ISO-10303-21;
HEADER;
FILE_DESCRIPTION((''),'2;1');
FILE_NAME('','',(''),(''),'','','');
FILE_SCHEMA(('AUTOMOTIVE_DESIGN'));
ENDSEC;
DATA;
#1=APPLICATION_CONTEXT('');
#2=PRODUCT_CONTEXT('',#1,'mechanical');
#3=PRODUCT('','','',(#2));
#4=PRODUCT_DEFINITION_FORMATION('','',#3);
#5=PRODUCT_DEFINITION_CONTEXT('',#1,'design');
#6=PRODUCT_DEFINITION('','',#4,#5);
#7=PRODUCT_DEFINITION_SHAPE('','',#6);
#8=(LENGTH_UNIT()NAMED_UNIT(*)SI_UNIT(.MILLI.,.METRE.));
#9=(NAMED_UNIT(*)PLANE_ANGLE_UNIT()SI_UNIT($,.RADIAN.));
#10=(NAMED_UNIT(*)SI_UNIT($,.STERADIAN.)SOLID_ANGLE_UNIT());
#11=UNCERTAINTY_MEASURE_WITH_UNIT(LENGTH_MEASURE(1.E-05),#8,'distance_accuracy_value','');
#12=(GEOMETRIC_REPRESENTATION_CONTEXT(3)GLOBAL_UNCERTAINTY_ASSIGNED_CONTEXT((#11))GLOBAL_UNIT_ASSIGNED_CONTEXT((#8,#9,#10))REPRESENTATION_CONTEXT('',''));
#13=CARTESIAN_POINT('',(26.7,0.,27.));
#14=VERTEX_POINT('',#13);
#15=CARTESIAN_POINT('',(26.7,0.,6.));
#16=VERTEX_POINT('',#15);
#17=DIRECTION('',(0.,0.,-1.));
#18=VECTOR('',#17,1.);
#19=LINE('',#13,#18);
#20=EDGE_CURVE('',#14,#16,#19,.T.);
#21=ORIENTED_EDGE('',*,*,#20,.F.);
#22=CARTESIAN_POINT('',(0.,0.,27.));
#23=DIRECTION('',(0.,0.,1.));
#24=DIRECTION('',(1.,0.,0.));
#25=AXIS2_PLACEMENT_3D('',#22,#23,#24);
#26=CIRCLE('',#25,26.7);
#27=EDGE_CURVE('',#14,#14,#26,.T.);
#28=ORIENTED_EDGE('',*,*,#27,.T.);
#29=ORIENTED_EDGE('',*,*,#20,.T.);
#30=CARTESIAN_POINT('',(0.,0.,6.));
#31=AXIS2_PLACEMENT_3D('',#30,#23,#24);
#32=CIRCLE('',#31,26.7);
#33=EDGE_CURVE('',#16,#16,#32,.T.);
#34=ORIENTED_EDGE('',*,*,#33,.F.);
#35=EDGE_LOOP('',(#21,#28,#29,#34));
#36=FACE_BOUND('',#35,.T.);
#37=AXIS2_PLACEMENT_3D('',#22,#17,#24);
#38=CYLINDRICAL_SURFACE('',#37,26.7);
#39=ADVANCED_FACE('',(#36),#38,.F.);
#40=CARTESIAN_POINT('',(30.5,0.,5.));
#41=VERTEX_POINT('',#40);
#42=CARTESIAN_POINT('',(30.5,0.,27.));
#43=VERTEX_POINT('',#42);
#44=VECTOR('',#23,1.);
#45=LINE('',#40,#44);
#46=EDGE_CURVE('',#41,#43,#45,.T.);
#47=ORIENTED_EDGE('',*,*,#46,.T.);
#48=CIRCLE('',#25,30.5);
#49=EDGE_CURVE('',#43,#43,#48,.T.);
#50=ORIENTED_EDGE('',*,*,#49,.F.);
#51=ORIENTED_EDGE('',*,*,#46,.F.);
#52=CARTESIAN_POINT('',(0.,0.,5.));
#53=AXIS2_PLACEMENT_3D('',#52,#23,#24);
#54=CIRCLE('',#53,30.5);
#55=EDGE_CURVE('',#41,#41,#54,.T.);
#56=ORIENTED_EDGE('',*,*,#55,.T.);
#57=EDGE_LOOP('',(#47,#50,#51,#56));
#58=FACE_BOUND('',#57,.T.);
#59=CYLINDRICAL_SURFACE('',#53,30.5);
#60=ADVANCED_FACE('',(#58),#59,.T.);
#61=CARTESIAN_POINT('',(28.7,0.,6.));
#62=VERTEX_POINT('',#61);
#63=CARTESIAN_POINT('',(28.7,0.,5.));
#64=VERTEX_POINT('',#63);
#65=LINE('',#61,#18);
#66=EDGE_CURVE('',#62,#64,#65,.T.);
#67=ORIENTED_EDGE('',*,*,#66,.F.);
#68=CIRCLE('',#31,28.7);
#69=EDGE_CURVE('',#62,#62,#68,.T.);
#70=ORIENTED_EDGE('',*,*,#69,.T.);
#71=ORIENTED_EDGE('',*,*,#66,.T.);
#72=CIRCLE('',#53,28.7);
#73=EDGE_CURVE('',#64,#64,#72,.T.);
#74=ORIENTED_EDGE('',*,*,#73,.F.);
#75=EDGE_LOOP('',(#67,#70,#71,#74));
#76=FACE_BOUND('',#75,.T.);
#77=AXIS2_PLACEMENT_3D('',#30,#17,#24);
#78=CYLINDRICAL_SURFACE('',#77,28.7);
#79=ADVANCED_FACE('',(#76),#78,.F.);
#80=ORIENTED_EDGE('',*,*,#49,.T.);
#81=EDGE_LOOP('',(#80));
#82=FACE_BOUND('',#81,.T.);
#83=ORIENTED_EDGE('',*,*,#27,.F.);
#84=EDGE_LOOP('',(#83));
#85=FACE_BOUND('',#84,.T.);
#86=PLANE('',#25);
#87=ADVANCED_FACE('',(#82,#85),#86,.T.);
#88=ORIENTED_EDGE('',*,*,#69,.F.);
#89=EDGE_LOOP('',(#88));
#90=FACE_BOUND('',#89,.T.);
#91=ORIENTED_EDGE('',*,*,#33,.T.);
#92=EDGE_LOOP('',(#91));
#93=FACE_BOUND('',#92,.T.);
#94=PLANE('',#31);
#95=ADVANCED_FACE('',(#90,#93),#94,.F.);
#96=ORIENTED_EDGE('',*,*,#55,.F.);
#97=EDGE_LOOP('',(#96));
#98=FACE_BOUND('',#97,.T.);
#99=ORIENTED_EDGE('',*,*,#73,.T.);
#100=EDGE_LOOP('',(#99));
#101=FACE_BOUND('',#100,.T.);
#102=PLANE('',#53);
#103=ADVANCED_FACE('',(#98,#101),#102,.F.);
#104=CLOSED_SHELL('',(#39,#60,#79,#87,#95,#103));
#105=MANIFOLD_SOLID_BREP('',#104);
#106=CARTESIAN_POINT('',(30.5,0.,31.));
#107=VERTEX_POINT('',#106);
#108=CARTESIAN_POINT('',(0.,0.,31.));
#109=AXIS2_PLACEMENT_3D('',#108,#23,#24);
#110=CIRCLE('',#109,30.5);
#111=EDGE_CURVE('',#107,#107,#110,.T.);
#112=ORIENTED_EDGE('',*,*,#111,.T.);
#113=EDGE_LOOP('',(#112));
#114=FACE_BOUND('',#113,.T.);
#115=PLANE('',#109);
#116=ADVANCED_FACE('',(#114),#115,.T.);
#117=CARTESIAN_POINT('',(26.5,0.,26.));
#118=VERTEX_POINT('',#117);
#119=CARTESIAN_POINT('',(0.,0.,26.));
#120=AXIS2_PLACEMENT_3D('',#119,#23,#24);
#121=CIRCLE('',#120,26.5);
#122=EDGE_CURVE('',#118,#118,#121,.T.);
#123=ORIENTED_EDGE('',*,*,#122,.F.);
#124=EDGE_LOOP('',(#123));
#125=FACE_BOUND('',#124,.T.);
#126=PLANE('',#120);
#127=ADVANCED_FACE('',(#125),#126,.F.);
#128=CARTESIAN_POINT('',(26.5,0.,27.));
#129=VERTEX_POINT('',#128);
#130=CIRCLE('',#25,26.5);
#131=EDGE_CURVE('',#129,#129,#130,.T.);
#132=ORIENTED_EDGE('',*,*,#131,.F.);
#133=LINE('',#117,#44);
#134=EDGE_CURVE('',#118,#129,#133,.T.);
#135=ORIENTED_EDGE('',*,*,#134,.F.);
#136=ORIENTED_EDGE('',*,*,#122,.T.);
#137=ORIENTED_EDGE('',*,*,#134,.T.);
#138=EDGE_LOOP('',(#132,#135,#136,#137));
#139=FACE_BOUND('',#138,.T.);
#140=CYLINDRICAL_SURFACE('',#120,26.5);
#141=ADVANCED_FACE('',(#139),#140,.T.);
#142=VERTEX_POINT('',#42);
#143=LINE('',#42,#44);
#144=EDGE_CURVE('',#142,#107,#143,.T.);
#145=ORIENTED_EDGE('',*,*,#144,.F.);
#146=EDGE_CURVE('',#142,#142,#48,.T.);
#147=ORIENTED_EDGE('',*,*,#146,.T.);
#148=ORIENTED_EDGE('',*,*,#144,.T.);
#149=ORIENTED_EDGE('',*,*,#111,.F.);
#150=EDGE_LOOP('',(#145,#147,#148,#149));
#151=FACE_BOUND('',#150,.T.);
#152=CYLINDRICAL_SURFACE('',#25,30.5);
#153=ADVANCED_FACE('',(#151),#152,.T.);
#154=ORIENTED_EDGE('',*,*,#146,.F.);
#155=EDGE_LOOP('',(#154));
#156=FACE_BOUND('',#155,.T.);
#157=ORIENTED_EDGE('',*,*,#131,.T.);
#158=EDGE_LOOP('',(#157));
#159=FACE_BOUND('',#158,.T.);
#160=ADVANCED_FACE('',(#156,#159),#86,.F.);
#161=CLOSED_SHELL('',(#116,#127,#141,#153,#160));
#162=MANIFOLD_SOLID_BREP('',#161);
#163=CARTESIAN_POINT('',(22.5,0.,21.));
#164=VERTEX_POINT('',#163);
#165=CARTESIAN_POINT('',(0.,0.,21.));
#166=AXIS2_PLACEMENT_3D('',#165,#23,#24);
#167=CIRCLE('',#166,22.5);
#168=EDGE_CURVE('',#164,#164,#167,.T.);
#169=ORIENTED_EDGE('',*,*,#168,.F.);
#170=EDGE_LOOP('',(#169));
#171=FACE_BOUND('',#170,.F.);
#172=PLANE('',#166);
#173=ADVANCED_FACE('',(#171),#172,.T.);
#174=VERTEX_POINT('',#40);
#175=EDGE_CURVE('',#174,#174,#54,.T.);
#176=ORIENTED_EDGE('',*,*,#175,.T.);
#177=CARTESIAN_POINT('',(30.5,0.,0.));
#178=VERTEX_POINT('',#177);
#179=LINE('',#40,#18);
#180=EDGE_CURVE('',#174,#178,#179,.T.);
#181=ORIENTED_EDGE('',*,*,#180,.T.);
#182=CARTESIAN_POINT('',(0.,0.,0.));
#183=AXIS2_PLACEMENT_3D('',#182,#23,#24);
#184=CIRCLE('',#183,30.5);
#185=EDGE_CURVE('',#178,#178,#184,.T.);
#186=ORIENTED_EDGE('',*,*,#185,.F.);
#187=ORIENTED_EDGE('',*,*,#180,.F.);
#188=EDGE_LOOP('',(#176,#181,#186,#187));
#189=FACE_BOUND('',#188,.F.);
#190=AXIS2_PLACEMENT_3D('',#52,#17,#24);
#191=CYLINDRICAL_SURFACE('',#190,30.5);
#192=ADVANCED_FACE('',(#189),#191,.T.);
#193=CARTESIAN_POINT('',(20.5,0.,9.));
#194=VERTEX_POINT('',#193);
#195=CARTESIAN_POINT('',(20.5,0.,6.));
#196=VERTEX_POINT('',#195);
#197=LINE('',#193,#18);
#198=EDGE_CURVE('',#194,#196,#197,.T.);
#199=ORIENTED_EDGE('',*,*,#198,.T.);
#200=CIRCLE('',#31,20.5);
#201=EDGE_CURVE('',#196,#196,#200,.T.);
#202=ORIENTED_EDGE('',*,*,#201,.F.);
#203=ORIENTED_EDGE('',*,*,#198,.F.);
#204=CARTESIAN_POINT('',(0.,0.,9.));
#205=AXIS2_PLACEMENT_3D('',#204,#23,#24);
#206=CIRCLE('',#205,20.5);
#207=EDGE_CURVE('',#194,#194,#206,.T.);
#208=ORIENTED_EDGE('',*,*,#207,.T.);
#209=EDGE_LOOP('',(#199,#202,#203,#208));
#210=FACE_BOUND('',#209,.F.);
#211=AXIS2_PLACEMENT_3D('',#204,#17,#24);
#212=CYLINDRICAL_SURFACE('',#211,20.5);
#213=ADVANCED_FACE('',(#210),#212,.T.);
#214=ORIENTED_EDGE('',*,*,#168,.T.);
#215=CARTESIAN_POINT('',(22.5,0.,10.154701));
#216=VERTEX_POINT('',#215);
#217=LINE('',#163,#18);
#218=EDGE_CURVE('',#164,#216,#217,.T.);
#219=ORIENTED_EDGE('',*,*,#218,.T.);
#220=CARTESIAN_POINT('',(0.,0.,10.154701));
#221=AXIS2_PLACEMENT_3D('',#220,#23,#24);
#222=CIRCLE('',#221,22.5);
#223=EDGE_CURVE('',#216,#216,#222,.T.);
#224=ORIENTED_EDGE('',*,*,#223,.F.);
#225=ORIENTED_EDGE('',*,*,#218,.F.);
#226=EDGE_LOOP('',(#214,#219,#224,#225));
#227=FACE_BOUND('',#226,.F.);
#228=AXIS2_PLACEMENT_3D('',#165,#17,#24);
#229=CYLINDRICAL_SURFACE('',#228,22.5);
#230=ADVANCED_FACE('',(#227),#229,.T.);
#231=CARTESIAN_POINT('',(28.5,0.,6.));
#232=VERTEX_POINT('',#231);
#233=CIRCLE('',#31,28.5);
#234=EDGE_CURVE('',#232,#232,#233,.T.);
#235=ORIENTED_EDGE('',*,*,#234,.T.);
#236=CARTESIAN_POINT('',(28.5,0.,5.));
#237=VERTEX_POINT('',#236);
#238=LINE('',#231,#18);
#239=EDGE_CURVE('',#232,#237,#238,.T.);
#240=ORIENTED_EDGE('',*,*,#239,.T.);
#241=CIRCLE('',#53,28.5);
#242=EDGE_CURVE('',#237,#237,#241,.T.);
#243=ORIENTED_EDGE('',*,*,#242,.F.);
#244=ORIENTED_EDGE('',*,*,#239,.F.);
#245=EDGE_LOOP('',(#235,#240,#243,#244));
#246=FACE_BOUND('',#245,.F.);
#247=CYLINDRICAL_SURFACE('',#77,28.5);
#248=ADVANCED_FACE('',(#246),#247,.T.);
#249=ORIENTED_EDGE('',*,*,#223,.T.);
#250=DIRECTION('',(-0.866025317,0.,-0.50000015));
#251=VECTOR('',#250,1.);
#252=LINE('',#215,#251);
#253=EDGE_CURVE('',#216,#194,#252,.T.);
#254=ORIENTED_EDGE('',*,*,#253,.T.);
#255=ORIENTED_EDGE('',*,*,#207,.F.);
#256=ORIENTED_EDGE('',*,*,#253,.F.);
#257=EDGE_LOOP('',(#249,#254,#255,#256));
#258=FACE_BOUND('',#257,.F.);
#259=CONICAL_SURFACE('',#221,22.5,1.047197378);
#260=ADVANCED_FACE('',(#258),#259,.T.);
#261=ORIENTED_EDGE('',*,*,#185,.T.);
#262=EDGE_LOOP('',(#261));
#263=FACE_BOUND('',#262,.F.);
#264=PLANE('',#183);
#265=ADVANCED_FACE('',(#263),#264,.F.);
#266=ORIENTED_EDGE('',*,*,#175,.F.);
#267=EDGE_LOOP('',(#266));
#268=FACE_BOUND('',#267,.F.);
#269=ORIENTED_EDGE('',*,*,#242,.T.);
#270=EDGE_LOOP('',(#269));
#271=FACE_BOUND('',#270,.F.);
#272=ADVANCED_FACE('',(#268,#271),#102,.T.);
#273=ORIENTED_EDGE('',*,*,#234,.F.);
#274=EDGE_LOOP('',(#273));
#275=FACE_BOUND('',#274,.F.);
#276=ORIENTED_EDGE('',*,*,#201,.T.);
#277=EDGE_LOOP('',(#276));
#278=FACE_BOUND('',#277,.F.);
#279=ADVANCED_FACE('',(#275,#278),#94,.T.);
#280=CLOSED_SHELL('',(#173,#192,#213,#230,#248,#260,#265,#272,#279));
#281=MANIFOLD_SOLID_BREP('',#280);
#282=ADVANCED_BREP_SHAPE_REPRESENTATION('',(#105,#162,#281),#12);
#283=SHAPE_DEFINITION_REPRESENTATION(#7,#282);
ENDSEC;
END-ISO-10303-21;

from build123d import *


with BuildPart() as body:
    # Sketch → Revolution (revolve)
    with BuildSketch(Plane.XZ):
        Polygon((0, 0), (0, 21), (22.5, 21), (22.5, 10.154701), (20.5, 9), (20.5, 6), (28.5, 6), (28.5, 5), (30.5, 5), (30.5, 0), align=None)
    revolve(axis=Axis((0, 0, 0), (0, 0, 1)))


with BuildPart() as body001:
    # Sketch001 → Revolution001 (revolve)
    with BuildSketch(Plane.XZ):
        Polygon((28.7, 6), (28.7, 5), (30.5, 5), (30.5, 27), (26.7, 27), (26.7, 6), align=None)
    revolve(axis=Axis((0, 0, 0), (0, 0, 1)))


with BuildPart() as body002:
    # Sketch002 → Revolution002 (revolve)
    with BuildSketch(Plane.XZ):
        Polygon((0, 26), (26.5, 26), (26.5, 27), (30.5, 27), (30.5, 31), (0, 31), align=None)
    revolve(axis=Axis((0, 0, 0), (0, 0, 1)))


solid = Compound([body.part, body001.part, body002.part])
